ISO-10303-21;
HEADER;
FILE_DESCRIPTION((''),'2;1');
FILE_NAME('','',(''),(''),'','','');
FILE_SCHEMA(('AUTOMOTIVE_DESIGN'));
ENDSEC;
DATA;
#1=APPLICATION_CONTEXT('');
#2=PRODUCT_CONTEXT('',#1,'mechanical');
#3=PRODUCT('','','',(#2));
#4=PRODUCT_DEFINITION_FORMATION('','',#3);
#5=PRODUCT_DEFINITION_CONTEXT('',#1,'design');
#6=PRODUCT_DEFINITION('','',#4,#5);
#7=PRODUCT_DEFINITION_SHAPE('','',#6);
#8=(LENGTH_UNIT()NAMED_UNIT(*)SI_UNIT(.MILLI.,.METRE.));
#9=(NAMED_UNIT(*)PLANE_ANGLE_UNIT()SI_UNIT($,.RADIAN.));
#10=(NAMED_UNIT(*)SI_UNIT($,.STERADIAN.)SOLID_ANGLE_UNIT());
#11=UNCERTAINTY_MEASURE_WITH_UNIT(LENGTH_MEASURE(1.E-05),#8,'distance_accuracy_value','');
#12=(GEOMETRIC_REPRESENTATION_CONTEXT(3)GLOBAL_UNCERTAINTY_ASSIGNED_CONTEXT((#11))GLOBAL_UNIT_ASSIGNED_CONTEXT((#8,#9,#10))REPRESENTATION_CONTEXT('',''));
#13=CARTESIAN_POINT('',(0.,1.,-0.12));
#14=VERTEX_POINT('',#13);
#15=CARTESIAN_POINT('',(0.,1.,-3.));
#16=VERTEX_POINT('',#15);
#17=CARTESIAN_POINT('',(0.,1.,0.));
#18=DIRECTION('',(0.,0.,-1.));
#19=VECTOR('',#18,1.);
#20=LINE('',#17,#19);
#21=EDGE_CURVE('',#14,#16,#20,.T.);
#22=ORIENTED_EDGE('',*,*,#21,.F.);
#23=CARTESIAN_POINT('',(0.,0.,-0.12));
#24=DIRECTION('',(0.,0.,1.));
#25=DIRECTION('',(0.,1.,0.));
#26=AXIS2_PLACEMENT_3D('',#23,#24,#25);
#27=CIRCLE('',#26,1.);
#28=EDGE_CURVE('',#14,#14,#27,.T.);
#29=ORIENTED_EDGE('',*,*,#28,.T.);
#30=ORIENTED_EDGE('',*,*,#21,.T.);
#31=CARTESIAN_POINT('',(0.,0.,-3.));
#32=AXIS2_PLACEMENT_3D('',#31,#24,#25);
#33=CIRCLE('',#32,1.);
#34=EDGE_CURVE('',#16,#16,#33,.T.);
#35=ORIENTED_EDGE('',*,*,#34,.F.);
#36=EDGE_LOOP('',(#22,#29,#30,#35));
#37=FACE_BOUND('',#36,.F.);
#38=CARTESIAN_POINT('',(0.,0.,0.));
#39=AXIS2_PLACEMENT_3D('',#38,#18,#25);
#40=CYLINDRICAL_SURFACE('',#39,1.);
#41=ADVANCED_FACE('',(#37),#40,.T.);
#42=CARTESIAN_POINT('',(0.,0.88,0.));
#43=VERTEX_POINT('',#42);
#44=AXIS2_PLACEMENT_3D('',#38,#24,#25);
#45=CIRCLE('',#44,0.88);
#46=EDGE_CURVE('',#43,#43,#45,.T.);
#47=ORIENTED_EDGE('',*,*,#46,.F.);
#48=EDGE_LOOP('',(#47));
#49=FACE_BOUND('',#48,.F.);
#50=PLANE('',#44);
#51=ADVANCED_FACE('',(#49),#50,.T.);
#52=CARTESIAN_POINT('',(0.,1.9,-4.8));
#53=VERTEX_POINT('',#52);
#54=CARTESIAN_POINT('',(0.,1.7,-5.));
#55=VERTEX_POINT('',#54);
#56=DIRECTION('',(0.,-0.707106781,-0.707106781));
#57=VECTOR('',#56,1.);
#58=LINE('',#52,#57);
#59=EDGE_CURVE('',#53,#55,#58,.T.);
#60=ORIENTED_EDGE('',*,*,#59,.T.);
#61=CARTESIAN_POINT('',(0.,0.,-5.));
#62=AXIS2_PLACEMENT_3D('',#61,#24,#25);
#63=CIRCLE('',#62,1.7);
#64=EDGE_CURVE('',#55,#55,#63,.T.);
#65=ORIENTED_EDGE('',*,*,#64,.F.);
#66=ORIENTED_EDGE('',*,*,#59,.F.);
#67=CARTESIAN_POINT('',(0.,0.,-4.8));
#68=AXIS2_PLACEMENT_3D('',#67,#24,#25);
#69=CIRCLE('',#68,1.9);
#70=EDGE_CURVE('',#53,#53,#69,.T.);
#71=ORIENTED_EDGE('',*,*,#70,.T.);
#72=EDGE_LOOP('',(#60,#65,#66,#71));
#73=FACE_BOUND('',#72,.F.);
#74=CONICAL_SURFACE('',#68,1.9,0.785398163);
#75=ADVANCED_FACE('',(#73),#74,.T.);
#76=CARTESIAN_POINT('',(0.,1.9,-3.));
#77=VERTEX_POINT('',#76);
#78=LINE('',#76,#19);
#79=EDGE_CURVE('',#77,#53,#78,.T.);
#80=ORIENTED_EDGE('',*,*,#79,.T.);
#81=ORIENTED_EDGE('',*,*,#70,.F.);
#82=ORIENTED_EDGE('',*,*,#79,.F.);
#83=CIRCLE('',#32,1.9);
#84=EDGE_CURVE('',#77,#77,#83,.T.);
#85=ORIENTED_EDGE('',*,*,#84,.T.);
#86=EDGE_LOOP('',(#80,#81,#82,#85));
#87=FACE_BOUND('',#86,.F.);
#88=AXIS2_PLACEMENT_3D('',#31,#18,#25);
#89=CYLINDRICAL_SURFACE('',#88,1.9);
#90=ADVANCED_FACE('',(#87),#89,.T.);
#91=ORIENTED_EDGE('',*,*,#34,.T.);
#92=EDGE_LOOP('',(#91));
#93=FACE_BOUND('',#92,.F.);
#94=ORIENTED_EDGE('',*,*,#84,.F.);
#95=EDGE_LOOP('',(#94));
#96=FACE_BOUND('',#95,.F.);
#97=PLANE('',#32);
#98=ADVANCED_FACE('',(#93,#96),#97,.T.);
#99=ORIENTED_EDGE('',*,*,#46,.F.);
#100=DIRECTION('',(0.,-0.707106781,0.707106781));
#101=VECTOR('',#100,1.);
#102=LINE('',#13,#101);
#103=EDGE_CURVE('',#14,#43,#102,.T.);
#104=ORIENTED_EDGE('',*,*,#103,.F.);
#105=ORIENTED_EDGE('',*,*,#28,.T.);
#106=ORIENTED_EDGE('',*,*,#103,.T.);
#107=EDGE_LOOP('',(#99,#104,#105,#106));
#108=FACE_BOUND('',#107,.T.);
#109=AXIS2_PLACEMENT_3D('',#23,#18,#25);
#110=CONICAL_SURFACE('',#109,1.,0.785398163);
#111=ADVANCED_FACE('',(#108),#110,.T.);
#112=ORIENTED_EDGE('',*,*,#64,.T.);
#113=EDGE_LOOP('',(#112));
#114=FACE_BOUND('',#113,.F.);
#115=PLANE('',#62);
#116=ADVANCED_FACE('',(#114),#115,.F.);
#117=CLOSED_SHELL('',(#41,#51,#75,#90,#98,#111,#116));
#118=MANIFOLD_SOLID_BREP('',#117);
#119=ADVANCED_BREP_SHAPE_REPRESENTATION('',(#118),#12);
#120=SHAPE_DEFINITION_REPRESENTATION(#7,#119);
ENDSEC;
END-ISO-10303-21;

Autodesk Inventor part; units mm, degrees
ref_plane "YZ Plane" through (0, 0, 0) normal (1, 0, 0) x (0, 1, 0)
ref_plane "XZ Plane" through (0, 0, 0) normal (0, 1, 0) x (-1, 0, 0)
ref_plane "XY Plane" through (0, 0, 0) normal (0, 0, 1) x (1, 0, 0)
sketch "スケッチ1" plane through (0, 0, 0) normal (1, 0, 0) x (0, 1, 0)
  line L0 (0, 0) -> (1, 0)
  line L1 (1, 0) -> (1, -3)
  line L2 (1, -3) -> (0, -3)
  line L3 (0, -3) -> (0, 0)
  line L4 (0, -3) -> (1.9, -3)
  line L5 (1.9, -3) -> (1.9, -5)
  line L6 (1.9, -5) -> (0, -5)
  line L7 (0, -5) -> (0, -3)
  line L8 (1.9, -4.8) -> (1.7, -5)
  line L9 (1, -0.12) -> (0.88, 0)
  point P0 (1.9, -4)
  point P1 (1, -3)
  dimension "d0" = 45
  dimension "d1" = 1.9
  dimension "d2" = 2
  dimension "d3" = 3
  dimension "d7" = 1
  dimension "d10" = 45
  dimension "d11" = 0.2
  dimension "d12" = 0.12
revolve "回転1" add sketch "スケッチ1" angle 360 about axis through (0, 0, -3) along (0, 0, 1) contours L0 L9 L1 L2 L3 | L2 L4 L5 L8 L6 L7
thread "ねじ2" size "M2x0.4" class "6g" standard "ANSI Metric M Profile" length 30
properties part number "CSH-316L-M2-3" material "ステンレス鋼"
